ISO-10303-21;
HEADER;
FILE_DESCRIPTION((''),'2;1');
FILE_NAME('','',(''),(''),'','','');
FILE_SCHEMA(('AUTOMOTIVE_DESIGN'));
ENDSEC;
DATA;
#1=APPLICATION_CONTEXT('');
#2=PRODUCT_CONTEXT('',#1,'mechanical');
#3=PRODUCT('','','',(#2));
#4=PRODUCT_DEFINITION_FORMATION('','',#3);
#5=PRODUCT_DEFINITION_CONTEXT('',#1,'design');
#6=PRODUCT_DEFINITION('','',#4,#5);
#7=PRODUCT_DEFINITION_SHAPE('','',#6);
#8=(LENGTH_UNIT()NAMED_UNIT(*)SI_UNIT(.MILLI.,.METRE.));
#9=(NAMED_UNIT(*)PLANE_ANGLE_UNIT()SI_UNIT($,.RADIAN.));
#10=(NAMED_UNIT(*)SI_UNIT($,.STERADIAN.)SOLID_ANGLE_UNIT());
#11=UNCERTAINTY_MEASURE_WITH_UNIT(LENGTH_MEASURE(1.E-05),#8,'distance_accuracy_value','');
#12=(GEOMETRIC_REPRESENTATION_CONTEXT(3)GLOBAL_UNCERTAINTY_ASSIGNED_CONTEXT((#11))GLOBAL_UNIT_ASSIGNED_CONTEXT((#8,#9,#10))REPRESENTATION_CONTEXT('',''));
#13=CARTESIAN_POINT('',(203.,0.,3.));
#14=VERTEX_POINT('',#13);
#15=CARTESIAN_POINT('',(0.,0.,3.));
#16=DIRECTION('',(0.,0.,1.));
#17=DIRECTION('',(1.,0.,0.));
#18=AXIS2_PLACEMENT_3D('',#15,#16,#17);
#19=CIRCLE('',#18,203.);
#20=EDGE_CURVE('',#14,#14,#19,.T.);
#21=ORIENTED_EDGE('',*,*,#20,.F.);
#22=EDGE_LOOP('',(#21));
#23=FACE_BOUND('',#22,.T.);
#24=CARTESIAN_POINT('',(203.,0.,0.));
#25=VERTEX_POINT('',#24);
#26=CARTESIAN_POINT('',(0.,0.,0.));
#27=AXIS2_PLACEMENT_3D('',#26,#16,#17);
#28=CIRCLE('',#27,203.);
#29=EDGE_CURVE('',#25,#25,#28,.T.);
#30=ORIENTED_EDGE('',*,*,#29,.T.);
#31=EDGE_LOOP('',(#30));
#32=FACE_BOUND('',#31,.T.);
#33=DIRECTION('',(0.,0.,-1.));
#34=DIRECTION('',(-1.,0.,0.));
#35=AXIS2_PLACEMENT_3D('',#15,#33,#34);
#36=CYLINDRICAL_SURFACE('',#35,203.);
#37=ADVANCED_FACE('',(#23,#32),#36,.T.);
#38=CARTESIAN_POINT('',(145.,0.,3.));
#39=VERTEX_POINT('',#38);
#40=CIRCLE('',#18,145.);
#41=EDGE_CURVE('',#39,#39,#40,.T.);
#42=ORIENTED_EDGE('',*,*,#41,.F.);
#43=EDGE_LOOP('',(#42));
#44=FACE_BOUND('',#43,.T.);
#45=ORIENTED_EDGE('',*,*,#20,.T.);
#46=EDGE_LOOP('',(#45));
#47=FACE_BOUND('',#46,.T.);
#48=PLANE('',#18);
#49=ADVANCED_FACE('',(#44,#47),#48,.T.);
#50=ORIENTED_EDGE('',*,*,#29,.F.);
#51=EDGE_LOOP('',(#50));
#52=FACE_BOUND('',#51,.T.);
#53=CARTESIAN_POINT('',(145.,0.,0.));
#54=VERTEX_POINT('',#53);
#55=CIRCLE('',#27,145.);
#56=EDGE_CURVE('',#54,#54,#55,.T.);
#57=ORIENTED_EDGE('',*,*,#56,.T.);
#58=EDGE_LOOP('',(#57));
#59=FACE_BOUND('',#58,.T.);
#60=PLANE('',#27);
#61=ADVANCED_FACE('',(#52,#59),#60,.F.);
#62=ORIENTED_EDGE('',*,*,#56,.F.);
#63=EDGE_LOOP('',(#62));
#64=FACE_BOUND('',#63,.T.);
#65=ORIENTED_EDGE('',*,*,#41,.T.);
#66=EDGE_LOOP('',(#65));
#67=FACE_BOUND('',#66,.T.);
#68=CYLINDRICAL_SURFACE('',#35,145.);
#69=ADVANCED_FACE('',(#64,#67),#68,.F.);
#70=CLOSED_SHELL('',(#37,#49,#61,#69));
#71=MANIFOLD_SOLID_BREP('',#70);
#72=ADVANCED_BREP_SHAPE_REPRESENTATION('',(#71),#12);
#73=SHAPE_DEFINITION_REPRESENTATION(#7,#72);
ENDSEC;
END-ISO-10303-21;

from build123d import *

# Parameters (mm, degrees)
SKETCH1_R    = 203
SKETCH1_R_2  = 145
GASKET_DEPTH = 3


with BuildPart() as part:
    # Sketch1 → Gasket (new body)
    with BuildSketch(Plane.XY):
        Circle(SKETCH1_R)
        Circle(SKETCH1_R_2, mode=Mode.SUBTRACT)
    extrude(amount=GASKET_DEPTH)


solid = part.part
